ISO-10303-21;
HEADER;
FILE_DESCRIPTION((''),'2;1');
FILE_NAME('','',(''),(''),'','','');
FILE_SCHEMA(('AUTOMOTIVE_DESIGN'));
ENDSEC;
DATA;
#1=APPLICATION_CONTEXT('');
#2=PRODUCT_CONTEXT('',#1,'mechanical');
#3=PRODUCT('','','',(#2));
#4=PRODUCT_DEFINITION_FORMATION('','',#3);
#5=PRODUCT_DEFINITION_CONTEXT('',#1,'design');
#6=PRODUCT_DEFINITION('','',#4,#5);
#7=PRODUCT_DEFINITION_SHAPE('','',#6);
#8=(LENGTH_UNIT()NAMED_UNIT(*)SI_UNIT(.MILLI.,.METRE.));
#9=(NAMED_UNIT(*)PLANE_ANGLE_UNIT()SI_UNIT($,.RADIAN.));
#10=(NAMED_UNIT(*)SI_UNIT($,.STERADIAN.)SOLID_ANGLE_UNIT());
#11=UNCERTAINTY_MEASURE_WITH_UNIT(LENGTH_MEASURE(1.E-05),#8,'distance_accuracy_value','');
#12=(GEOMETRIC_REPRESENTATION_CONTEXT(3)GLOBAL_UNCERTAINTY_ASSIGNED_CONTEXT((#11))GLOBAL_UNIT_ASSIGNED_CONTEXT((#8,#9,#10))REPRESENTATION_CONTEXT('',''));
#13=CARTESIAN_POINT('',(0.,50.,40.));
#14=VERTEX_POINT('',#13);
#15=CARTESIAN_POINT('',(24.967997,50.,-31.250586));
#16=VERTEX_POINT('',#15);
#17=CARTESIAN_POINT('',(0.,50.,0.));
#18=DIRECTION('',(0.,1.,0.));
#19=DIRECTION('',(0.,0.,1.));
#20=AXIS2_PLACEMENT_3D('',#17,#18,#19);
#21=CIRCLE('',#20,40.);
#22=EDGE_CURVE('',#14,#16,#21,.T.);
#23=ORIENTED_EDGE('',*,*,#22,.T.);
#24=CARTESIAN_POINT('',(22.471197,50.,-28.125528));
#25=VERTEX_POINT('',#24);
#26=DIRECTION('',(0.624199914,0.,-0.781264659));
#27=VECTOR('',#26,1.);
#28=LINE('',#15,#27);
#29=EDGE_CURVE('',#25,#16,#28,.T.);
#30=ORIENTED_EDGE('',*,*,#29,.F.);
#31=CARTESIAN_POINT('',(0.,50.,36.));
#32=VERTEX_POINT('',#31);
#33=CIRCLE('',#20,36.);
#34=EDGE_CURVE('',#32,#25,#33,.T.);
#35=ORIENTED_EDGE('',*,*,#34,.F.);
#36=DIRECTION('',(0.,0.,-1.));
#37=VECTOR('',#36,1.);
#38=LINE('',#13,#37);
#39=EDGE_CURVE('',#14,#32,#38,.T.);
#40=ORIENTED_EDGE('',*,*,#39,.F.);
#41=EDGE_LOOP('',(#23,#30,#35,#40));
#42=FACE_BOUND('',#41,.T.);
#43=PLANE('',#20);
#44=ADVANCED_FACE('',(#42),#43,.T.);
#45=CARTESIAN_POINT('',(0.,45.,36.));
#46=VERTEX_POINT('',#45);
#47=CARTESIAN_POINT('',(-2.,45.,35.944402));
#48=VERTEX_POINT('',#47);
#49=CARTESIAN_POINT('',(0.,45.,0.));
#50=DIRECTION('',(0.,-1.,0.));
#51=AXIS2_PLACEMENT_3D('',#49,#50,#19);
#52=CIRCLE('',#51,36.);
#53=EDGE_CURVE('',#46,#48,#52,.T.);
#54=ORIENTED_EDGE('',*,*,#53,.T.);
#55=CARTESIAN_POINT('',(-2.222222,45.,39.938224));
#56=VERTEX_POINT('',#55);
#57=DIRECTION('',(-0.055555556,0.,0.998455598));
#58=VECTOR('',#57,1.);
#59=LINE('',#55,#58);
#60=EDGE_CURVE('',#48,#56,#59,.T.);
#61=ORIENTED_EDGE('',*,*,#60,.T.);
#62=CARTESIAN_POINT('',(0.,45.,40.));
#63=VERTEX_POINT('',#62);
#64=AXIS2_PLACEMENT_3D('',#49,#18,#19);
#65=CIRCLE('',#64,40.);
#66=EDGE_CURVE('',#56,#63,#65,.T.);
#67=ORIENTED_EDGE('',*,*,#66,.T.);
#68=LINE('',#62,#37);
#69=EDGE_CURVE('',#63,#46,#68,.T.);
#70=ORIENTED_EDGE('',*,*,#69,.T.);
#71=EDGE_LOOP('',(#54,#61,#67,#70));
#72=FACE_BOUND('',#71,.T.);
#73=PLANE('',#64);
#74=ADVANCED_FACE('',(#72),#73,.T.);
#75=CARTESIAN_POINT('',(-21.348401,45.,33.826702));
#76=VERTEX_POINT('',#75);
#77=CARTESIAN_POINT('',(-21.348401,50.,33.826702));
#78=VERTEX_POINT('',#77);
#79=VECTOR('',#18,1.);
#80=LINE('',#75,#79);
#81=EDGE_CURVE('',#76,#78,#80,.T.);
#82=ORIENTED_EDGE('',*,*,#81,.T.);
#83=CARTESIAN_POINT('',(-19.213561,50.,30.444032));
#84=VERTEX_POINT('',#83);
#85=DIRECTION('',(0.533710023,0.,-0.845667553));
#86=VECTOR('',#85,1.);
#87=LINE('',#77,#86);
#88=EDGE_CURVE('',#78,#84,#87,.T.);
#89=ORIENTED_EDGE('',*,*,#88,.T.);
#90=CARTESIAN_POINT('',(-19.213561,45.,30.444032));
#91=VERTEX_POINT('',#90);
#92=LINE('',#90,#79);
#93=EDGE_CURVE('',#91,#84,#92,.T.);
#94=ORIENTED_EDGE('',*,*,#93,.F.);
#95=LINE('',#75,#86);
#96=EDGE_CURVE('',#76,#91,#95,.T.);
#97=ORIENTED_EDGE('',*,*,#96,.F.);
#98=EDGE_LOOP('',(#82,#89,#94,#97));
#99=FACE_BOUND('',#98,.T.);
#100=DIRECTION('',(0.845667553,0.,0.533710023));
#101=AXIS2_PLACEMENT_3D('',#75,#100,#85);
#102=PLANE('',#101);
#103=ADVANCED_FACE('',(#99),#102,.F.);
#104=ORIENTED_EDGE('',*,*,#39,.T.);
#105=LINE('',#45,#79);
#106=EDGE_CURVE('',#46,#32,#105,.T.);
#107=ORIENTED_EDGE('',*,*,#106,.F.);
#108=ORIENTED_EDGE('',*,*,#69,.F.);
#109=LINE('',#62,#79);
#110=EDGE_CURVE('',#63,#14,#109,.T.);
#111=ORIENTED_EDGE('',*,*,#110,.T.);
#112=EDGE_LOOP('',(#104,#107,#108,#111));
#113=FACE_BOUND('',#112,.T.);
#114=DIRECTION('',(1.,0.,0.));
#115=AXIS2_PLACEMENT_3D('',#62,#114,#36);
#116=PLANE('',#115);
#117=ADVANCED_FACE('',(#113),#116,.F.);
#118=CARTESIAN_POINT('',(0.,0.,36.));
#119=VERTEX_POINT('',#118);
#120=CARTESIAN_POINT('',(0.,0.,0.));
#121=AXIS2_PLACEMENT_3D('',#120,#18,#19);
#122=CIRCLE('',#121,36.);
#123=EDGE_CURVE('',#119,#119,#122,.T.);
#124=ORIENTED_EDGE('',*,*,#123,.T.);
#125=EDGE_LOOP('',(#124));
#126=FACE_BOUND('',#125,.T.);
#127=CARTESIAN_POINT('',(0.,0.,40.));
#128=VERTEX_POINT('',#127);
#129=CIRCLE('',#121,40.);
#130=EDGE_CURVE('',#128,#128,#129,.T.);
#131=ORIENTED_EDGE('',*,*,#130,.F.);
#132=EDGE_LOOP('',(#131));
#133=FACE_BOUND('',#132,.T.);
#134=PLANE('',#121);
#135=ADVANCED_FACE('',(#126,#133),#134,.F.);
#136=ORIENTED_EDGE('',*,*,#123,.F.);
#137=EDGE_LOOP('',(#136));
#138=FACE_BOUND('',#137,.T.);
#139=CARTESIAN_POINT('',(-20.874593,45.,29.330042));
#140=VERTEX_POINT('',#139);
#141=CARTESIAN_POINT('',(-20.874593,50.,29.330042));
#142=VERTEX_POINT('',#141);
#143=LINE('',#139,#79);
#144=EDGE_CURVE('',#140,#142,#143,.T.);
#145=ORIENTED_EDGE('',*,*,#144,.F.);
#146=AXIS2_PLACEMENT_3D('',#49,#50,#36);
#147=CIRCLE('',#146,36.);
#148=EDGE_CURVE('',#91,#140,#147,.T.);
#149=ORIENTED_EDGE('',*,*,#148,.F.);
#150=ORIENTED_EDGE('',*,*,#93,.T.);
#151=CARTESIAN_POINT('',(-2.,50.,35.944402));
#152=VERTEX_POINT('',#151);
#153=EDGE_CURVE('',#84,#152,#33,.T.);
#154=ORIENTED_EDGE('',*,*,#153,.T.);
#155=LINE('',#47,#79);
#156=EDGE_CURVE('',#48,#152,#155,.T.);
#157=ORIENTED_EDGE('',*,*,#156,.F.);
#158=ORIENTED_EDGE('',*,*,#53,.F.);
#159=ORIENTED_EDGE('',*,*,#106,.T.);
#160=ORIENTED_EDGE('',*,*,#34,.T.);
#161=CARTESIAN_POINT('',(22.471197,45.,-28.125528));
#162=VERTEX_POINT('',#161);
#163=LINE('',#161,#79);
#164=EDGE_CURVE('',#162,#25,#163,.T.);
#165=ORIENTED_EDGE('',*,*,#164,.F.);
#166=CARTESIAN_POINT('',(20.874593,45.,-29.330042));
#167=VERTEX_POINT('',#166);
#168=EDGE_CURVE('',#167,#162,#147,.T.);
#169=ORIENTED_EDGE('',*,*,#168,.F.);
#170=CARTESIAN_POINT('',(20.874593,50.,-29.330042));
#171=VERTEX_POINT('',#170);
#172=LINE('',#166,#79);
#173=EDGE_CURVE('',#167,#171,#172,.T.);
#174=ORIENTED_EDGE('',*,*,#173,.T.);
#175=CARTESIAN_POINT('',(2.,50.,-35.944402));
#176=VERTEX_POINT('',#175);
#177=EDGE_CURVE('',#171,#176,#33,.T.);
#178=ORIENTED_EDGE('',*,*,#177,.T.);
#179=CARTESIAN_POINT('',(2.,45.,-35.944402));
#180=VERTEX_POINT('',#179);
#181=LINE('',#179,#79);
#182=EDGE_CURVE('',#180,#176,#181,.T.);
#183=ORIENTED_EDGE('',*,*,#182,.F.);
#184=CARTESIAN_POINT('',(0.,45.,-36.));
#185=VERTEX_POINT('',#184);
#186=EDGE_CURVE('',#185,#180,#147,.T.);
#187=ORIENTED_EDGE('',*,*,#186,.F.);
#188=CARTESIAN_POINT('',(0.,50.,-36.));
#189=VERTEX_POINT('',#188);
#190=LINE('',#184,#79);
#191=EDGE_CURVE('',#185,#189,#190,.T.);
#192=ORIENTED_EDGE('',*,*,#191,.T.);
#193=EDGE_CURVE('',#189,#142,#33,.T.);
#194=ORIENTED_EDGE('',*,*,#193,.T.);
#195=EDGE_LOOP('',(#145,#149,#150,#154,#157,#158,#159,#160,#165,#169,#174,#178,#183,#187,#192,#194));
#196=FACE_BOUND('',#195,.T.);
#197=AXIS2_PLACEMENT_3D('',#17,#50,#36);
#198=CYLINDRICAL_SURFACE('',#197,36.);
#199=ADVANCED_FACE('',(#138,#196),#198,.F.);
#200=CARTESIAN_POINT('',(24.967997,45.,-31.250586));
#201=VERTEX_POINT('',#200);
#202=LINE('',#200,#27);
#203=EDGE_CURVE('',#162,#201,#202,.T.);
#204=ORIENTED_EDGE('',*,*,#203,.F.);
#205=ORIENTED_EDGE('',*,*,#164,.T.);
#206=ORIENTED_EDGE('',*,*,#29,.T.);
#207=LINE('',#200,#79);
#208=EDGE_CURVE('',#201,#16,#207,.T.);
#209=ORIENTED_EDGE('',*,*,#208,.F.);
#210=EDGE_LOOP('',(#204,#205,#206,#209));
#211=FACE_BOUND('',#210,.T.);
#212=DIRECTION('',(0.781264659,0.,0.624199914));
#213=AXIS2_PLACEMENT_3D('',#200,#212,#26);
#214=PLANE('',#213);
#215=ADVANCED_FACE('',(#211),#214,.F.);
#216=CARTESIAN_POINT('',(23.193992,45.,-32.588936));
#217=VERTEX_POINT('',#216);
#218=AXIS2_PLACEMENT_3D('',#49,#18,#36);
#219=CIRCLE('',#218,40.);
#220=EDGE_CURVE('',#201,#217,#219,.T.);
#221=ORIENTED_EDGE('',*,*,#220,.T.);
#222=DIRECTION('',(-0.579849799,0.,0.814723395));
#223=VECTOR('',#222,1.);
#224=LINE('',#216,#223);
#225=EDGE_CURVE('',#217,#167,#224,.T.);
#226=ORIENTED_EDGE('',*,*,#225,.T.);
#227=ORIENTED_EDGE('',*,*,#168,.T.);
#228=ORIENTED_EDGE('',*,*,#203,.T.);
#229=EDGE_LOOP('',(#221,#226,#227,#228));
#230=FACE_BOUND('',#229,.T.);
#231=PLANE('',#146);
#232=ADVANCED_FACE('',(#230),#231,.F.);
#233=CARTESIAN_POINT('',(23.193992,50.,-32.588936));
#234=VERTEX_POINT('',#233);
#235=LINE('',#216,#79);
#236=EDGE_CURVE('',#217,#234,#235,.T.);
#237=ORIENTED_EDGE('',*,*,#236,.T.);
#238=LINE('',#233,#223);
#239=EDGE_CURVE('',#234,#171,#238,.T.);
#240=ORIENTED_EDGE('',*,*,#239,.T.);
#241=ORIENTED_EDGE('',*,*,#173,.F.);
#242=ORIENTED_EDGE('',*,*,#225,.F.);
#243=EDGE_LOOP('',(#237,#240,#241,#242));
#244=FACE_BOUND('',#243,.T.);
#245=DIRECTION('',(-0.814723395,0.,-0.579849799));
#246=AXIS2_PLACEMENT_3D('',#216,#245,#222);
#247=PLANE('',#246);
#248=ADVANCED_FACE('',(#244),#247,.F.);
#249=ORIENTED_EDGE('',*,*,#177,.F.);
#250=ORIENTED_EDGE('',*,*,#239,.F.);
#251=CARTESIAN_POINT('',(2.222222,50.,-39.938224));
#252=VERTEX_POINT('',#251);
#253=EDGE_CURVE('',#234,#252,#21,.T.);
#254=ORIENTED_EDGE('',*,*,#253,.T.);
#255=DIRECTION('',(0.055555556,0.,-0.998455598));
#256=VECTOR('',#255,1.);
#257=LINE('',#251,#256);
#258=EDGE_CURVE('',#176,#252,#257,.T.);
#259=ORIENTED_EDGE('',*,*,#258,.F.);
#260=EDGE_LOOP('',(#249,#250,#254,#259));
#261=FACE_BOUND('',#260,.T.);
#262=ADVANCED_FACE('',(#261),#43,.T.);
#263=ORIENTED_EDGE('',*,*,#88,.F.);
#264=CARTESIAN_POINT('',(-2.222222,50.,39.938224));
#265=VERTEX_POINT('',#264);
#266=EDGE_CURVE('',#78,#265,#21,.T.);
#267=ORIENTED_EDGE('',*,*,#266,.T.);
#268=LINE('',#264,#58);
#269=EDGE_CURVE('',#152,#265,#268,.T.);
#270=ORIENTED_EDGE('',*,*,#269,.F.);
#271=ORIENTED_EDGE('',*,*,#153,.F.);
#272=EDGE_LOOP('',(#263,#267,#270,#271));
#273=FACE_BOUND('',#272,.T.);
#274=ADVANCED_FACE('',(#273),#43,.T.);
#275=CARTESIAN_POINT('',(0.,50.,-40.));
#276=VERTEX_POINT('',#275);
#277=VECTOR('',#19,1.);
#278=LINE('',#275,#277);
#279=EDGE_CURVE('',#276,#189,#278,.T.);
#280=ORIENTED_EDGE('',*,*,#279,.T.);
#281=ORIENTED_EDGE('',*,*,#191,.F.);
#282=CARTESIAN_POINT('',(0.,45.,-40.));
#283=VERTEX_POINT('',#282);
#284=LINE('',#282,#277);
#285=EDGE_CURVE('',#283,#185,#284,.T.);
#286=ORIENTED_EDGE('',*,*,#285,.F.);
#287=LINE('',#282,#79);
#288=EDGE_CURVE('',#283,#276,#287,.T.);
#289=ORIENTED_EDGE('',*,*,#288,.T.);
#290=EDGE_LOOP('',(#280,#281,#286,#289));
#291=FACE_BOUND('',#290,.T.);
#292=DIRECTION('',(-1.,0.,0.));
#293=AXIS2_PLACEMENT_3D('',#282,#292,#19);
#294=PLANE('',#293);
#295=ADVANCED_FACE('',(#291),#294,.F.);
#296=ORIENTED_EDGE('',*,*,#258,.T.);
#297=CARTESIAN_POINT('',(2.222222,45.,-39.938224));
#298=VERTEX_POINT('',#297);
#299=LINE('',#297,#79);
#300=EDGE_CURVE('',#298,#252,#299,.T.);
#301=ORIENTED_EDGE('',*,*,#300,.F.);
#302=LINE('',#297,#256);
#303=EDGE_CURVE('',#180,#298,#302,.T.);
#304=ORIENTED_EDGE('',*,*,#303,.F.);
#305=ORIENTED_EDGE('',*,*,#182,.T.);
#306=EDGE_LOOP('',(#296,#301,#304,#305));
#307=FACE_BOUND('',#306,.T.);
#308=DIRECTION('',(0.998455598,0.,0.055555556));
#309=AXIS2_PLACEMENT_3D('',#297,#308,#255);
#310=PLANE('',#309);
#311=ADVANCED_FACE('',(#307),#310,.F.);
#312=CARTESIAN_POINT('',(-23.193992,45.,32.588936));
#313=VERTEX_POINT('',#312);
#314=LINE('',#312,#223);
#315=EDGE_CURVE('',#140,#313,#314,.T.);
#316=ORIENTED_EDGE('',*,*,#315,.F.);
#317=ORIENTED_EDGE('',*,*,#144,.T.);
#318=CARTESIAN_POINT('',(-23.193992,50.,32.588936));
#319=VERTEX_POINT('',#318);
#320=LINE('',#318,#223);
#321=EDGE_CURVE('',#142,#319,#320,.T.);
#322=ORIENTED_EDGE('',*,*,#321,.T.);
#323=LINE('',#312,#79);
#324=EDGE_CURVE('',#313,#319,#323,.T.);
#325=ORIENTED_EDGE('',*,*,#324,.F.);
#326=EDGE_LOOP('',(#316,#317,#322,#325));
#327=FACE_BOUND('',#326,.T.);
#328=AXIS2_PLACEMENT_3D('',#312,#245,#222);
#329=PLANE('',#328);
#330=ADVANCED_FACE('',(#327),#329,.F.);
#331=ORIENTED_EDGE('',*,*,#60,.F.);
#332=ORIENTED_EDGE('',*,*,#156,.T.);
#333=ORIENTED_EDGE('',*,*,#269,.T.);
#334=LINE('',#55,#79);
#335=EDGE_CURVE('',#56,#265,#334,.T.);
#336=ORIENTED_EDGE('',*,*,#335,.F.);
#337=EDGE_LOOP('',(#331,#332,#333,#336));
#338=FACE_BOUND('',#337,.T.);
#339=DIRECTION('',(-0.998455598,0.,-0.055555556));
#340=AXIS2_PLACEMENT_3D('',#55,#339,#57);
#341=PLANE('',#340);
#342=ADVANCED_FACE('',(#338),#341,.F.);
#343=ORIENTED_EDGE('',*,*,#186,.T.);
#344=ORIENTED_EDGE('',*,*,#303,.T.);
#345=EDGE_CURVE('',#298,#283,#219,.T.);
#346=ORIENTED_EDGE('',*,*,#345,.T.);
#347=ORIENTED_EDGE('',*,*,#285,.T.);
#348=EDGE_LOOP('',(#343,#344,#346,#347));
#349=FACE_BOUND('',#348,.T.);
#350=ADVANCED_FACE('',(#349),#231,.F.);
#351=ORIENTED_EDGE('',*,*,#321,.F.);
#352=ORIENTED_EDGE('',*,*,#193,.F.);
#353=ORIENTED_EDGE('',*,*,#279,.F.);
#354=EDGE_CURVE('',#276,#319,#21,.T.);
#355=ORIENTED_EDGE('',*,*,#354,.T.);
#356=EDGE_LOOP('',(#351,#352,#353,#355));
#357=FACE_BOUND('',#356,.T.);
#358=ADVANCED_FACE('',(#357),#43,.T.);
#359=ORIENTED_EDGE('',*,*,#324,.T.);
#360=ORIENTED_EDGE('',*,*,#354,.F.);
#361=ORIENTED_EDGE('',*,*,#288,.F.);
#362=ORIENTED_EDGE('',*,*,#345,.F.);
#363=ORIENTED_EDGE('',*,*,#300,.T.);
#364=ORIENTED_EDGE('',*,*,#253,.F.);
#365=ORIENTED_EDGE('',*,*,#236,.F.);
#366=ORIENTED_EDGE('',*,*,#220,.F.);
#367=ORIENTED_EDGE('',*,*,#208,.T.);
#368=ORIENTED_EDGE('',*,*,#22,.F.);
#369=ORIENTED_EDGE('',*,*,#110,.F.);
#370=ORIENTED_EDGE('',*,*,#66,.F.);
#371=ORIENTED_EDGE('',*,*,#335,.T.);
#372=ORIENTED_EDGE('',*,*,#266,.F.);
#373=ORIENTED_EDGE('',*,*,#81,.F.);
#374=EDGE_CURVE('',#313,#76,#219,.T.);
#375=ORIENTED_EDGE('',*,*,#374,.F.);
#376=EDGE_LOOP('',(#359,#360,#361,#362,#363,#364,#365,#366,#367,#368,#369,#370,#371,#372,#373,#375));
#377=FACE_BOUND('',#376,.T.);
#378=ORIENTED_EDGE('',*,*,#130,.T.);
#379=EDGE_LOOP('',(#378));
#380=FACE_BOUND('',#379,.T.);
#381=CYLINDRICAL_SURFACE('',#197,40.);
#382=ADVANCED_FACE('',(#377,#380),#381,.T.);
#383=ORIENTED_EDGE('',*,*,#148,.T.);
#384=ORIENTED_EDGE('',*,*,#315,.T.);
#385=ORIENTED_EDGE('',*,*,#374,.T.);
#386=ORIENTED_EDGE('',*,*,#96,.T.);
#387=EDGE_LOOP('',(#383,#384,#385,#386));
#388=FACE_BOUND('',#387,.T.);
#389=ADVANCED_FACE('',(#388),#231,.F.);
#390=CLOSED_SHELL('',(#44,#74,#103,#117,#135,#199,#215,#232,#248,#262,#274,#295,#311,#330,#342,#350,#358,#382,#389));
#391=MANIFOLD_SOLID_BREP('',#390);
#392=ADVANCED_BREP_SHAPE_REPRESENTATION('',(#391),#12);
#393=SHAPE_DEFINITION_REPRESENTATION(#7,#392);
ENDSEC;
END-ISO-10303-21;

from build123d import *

# Parameters (mm, degrees)
ESQUISSE1_R      = 40
ESQUISSE1_R_2    = 36
EXTRUSION1_DEPTH = 50
EXTRUSION2_DEPTH = 5


with BuildPart() as part:
    # Esquisse1 → Extrusion1 (new body)
    with BuildSketch(Plane(origin=(0, 0, 0), x_dir=(1, 0, 0), z_dir=(0, 1, 0))):
        Circle(ESQUISSE1_R)
        Circle(ESQUISSE1_R_2, mode=Mode.SUBTRACT)
    extrude(amount=EXTRUSION1_DEPTH)

    # Esquisse2 → Extrusion2 (cut)
    with BuildSketch(Plane(origin=(0, 50, 0), x_dir=(1, 0, 0), z_dir=(0, 1, 0))):
        with BuildLine():
            Line((0, -40), (0, -36))
            ThreePointArc((0, -36), (-1.000386324, -35.986097693), (-2, -35.944401511))
            Line((-2, -35.944401511), (-2.222222222, -39.938223901))
            ThreePointArc((-2.222222222, -39.938223901), (-1.11154036, -39.984552993), (0, -40))
        make_face()
        with BuildLine():
            Line((0, 40), (0, 36))
            ThreePointArc((0, 36), (1.000386324, 35.986097693), (2, 35.944401511))
            Line((2, 35.944401511), (2.222222222, 39.938223901))
            ThreePointArc((2.222222222, 39.938223901), (1.11154036, 39.984552993), (0, 40))
        make_face()
        with BuildLine():
            Line((23.193991942, 32.588935819), (20.874592748, 29.330042237))
            ThreePointArc((20.874592748, 29.330042237), (21.68126112, 28.738874652), (22.471196895, 28.12552773))
            Line((22.471196895, 28.12552773), (24.96799655, 31.250586367))
            ThreePointArc((24.96799655, 31.250586367), (24.090290133, 31.932082947), (23.193991942, 32.588935819))
        make_face()
        with BuildLine():
            Line((-21.348400939, -33.826702135), (-19.213560845, -30.444031922))
            ThreePointArc((-19.213560845, -30.444031922), (-20.051814329, -29.898574249), (-20.874592748, -29.330042237))
            Line((-20.874592748, -29.330042237), (-23.193991942, -32.588935819))
            ThreePointArc((-23.193991942, -32.588935819), (-22.279793699, -33.220638055), (-21.348400939, -33.826702135))
        make_face()
    extrude(amount=-EXTRUSION2_DEPTH, mode=Mode.SUBTRACT)


solid = part.part
